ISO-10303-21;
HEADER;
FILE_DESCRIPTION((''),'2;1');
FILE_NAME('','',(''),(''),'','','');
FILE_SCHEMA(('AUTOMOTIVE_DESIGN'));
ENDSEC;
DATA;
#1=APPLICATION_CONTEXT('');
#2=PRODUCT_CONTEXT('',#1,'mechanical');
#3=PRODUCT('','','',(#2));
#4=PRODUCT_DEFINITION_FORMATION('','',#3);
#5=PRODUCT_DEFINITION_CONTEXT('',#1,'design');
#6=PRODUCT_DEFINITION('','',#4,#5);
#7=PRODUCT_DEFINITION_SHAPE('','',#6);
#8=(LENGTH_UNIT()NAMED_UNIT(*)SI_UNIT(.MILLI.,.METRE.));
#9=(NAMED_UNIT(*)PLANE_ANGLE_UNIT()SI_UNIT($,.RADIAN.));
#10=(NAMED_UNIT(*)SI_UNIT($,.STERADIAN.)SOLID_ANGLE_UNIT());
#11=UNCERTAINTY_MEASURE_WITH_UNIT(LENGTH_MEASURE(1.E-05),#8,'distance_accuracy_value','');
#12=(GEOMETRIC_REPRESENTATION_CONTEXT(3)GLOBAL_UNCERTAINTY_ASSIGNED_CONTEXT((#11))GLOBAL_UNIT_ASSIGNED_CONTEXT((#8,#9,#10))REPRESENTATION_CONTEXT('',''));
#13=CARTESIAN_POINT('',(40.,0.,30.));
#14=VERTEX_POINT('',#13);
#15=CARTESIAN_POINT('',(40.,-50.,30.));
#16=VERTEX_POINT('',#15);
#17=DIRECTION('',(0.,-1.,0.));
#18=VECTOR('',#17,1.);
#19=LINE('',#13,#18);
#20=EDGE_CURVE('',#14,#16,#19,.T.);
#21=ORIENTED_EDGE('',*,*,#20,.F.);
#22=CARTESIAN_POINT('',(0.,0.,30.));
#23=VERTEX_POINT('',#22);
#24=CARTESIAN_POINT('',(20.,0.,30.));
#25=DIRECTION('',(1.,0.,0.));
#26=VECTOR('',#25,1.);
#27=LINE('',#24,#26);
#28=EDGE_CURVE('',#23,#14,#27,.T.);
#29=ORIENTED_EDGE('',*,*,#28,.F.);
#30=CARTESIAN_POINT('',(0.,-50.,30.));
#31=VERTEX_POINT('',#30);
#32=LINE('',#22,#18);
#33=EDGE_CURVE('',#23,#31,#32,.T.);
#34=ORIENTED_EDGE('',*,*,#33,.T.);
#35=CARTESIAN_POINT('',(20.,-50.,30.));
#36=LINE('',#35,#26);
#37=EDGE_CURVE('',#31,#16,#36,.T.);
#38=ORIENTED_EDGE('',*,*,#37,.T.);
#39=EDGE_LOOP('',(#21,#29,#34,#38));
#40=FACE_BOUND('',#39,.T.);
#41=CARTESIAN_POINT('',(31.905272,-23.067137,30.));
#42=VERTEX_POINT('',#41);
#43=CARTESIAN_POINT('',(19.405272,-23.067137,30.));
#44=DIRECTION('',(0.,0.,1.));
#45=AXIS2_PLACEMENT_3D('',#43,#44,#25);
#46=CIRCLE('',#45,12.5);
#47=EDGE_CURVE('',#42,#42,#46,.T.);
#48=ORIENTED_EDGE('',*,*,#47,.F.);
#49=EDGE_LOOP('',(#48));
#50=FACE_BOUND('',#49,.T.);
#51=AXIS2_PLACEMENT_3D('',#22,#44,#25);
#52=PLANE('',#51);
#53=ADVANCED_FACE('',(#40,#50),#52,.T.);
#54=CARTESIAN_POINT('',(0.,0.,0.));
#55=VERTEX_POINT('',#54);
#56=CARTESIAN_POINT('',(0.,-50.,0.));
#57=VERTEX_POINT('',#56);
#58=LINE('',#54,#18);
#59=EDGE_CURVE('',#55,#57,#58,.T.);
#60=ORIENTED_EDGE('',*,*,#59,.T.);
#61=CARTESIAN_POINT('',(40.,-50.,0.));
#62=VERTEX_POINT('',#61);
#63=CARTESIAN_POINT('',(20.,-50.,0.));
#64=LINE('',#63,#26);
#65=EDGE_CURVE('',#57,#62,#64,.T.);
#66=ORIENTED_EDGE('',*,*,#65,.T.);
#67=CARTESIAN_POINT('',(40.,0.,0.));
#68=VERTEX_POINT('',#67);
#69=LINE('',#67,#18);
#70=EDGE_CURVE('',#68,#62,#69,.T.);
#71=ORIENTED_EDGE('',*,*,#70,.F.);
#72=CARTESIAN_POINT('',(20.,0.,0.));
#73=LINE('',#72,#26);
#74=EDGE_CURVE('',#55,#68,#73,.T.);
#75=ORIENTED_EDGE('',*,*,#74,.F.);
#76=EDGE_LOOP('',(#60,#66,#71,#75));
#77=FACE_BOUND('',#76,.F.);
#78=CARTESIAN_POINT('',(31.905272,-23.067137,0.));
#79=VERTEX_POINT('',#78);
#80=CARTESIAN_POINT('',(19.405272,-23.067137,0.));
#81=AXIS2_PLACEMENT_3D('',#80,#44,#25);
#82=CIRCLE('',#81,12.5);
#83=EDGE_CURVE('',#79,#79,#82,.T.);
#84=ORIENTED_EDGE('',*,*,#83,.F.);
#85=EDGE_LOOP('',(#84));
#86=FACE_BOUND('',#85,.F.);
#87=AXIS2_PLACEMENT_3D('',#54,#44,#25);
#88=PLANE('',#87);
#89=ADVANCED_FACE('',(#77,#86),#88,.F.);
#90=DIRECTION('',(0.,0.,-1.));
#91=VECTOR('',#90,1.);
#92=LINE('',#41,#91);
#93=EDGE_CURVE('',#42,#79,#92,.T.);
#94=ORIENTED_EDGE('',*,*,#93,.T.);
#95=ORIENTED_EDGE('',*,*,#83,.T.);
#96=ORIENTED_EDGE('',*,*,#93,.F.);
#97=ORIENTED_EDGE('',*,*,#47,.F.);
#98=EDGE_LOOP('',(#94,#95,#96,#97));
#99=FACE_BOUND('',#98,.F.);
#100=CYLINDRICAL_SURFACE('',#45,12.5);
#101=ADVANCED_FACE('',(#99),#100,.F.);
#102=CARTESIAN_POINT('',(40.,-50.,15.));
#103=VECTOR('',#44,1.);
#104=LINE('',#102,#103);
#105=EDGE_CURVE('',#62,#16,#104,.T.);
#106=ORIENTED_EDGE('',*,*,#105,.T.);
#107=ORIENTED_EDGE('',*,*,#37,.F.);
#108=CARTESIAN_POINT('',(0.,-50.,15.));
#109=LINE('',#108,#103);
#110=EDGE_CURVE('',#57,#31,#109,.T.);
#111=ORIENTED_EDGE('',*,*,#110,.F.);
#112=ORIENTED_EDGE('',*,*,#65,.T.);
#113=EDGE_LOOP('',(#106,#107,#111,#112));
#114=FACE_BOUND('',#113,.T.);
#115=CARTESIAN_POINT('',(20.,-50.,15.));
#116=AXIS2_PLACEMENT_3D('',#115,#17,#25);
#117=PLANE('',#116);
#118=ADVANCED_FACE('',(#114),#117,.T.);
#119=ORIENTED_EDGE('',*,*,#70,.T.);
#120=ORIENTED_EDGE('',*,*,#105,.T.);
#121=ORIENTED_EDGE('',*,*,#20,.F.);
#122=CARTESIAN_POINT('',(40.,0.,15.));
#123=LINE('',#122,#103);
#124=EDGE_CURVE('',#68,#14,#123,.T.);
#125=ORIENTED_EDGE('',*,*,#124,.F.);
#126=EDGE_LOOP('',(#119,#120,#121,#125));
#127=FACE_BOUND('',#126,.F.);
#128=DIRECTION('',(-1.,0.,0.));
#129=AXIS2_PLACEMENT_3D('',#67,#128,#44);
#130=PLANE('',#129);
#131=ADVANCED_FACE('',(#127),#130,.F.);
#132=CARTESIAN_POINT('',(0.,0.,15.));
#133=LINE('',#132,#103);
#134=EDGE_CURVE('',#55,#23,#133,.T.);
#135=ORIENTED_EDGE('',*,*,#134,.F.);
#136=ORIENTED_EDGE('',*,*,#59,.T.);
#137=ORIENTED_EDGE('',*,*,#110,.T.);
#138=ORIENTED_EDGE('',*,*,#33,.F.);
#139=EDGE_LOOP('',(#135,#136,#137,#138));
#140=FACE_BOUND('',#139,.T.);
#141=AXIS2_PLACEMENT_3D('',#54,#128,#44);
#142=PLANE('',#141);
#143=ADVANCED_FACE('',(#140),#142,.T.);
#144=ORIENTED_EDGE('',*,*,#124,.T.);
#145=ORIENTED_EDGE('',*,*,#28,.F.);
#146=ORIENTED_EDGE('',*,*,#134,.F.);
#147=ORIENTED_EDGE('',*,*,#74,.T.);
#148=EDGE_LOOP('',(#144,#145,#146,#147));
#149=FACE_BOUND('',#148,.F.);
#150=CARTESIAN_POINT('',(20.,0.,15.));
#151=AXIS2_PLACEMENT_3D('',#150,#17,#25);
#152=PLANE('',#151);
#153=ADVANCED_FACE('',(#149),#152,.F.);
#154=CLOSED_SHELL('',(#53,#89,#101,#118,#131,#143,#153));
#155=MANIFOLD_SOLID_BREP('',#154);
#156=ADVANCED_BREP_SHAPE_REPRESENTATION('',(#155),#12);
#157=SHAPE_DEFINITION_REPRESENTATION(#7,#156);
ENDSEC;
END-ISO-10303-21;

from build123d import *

# Parameters (mm, degrees)
F0_W     = 40
F0_H     = 30
F1_DEPTH = 50
F2_R     = 12.5
F3_DEPTH = 30


with BuildPart() as f1:
    # F0 (on Front) → F1 (new body)
    with BuildSketch(Plane.XZ):
        with Locations((20, 15)):
            Rectangle(F0_W, F0_H)
    extrude(amount=F1_DEPTH)

    # F2 (on face) → F3 (cut)
    with BuildSketch(Plane.XY.offset(30)):
        with Locations((19.405272, -23.067137)):
            Circle(F2_R)
    extrude(amount=-F3_DEPTH, mode=Mode.SUBTRACT)


solid = f1.part
